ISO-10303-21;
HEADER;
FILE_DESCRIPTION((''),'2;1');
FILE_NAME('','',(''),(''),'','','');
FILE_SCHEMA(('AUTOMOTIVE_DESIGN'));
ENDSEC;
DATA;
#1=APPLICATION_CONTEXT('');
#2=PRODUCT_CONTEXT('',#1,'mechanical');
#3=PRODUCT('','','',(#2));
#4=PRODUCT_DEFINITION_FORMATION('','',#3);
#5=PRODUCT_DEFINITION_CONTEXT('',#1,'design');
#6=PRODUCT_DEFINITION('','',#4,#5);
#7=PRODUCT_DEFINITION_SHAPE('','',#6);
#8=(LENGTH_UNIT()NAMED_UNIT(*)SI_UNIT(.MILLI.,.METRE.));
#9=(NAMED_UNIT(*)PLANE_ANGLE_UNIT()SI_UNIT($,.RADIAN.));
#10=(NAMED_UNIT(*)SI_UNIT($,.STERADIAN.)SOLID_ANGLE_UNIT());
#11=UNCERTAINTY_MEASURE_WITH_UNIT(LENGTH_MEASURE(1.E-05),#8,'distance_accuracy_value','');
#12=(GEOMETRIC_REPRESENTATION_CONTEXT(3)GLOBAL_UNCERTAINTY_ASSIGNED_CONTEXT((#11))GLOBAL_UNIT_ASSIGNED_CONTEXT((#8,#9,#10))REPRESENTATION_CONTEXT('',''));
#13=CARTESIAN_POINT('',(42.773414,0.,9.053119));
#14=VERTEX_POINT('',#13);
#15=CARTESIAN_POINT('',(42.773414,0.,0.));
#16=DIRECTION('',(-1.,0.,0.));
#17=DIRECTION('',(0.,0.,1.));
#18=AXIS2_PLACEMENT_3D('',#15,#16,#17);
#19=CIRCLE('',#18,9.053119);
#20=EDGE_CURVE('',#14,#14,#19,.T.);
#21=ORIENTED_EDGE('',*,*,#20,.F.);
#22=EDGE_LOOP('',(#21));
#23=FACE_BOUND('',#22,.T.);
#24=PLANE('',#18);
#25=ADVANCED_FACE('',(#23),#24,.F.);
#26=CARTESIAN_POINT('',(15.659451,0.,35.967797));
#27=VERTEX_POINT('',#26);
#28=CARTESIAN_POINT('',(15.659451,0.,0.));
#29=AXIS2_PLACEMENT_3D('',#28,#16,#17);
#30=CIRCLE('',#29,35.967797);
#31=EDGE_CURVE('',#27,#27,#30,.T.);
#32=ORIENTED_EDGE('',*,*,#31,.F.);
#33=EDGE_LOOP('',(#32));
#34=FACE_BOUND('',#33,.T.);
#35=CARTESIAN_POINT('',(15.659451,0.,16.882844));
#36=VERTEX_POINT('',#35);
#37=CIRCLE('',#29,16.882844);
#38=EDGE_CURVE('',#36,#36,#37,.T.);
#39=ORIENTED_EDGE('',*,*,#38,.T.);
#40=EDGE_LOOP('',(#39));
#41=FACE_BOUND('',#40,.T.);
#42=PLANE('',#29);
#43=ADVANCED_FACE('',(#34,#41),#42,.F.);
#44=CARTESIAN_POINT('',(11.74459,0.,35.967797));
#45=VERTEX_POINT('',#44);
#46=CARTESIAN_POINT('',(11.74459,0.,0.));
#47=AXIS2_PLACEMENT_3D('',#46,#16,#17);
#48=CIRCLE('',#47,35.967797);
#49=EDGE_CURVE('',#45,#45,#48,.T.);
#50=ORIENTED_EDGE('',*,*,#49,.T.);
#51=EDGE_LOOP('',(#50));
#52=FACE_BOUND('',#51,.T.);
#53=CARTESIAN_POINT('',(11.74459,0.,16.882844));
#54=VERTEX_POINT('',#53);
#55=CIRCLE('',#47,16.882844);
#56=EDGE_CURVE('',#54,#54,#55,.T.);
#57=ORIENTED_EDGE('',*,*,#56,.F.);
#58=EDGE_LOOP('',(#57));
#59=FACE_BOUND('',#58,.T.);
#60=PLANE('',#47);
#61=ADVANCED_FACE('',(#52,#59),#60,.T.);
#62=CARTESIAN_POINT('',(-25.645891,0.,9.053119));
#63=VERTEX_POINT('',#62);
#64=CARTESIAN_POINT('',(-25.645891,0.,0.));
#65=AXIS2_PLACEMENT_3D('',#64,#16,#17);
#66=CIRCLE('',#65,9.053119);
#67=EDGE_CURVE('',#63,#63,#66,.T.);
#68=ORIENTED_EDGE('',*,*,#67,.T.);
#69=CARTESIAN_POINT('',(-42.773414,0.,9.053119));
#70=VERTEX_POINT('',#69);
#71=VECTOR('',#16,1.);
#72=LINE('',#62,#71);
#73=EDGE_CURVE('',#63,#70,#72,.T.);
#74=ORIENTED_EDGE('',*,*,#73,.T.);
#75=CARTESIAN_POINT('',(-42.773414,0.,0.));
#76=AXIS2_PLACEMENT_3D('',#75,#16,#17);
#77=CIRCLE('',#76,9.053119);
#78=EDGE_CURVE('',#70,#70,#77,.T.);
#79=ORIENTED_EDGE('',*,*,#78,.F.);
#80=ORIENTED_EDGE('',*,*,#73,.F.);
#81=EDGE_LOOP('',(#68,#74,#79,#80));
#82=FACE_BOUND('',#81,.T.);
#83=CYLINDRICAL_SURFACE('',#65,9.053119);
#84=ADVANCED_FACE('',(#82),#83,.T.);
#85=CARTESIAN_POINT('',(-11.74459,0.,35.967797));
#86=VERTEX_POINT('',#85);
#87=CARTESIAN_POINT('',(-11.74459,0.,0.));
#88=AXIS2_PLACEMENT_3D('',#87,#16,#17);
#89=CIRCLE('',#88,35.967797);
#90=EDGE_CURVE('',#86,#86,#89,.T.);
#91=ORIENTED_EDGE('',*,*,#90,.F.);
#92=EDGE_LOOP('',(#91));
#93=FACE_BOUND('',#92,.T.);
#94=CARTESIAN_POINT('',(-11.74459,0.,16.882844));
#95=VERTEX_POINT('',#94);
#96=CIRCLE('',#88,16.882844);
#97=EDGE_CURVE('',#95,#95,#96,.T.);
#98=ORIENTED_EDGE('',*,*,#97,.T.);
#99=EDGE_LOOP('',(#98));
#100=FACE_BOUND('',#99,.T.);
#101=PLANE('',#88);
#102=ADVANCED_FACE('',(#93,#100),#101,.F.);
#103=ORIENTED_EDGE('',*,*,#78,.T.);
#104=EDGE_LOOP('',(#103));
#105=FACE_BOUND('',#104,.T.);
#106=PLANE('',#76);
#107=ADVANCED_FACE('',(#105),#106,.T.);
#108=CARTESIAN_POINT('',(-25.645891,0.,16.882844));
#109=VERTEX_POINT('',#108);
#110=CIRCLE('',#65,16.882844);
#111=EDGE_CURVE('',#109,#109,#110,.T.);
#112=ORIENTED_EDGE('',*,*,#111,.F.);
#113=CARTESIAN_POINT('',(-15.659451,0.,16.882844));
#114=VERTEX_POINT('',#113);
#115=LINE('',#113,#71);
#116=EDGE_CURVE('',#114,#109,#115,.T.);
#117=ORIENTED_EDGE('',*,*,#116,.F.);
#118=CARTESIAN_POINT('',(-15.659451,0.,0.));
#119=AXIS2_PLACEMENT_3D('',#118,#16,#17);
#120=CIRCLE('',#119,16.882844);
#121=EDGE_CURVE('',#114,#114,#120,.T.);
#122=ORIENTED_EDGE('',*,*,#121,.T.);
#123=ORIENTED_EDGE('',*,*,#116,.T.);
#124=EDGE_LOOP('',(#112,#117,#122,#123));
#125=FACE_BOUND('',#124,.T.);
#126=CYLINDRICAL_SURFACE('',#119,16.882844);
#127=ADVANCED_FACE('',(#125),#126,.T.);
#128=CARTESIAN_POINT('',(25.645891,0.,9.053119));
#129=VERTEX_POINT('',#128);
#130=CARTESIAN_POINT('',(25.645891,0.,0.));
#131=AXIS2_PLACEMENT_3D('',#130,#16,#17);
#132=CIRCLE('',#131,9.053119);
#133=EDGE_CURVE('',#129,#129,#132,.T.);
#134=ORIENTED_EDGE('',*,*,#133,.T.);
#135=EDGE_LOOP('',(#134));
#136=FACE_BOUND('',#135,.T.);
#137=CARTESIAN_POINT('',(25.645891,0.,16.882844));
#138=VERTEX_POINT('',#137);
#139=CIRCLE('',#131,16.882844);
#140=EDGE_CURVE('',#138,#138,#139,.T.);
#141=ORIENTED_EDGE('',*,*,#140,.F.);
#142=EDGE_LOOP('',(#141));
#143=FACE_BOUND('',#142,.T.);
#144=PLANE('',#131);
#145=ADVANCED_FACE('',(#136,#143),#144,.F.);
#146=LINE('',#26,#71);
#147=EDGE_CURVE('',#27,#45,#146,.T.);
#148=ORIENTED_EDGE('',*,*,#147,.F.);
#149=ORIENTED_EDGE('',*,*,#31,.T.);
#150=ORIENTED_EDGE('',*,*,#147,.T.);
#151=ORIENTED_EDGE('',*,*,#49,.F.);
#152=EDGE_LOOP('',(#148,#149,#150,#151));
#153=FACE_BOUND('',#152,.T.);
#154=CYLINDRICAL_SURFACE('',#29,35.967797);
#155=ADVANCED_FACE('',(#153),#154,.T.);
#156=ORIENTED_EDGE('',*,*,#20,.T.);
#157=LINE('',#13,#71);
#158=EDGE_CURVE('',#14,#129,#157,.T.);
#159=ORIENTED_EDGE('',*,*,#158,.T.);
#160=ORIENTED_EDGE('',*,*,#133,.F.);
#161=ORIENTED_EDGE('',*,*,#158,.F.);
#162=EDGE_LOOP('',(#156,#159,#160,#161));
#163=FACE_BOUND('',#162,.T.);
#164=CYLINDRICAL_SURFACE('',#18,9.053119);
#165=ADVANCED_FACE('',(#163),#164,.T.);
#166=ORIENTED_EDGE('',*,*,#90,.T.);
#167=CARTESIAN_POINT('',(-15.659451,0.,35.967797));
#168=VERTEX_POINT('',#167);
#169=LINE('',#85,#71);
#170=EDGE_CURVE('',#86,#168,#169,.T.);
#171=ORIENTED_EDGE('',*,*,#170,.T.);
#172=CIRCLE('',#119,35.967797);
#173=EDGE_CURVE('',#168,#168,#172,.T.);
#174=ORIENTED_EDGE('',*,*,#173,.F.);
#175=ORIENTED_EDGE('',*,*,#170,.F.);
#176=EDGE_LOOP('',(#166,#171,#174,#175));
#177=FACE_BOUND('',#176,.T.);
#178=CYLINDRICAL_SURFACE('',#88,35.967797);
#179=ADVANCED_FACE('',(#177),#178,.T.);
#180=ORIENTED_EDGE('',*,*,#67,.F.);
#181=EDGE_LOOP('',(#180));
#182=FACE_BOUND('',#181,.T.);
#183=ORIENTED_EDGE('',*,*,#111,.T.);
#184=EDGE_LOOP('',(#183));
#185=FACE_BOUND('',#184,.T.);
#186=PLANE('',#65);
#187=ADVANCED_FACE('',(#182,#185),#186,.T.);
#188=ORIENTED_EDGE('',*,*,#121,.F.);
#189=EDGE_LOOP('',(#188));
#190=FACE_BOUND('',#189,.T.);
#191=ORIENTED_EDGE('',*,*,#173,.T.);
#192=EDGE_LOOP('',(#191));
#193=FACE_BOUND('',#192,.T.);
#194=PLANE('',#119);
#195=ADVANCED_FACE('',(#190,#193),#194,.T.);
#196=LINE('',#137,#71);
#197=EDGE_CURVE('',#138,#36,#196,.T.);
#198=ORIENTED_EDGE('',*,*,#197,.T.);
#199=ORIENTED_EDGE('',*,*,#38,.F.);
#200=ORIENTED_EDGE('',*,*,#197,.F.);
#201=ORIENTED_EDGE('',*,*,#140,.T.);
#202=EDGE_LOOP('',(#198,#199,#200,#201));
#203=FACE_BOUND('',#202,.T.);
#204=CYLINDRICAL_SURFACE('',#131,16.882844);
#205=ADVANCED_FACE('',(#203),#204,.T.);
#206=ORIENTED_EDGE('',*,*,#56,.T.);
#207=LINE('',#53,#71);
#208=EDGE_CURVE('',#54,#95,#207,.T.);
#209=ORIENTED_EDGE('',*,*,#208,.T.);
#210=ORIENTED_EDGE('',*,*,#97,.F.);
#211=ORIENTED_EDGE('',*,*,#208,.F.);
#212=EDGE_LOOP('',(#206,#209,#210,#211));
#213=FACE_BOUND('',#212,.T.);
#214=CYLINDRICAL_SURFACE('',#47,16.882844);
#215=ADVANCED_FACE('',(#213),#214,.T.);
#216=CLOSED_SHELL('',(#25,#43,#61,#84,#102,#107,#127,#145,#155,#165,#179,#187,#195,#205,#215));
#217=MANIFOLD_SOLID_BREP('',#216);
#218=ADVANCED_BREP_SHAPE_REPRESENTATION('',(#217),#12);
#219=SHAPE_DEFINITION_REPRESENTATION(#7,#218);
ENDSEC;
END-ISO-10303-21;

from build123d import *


with BuildPart() as f1:
    # F0 (on Front) → F1 (revolve)
    with BuildSketch(Plane.XZ):
        Polygon((-42.773414, 9.053119), (-42.773414, 0), (0, 0), (0, 16.882844), (-11.74459, 16.882844), (-11.74459, 35.967797), (-15.659451, 35.967797), (-15.659451, 16.882844), (-25.645891, 16.882844), (-25.645891, 9.053119), align=None)
        Polygon((0, 16.882844), (0, 0), (42.773414, 0), (42.773414, 9.053119), (25.645891, 9.053119), (25.645891, 16.882844), (15.659451, 16.882844), (15.659451, 35.967797), (11.74459, 35.967797), (11.74459, 16.882844), align=None)
    revolve(axis=Axis((-21.386707, 0, 0), (-1, 0, 0)))


solid = f1.part
